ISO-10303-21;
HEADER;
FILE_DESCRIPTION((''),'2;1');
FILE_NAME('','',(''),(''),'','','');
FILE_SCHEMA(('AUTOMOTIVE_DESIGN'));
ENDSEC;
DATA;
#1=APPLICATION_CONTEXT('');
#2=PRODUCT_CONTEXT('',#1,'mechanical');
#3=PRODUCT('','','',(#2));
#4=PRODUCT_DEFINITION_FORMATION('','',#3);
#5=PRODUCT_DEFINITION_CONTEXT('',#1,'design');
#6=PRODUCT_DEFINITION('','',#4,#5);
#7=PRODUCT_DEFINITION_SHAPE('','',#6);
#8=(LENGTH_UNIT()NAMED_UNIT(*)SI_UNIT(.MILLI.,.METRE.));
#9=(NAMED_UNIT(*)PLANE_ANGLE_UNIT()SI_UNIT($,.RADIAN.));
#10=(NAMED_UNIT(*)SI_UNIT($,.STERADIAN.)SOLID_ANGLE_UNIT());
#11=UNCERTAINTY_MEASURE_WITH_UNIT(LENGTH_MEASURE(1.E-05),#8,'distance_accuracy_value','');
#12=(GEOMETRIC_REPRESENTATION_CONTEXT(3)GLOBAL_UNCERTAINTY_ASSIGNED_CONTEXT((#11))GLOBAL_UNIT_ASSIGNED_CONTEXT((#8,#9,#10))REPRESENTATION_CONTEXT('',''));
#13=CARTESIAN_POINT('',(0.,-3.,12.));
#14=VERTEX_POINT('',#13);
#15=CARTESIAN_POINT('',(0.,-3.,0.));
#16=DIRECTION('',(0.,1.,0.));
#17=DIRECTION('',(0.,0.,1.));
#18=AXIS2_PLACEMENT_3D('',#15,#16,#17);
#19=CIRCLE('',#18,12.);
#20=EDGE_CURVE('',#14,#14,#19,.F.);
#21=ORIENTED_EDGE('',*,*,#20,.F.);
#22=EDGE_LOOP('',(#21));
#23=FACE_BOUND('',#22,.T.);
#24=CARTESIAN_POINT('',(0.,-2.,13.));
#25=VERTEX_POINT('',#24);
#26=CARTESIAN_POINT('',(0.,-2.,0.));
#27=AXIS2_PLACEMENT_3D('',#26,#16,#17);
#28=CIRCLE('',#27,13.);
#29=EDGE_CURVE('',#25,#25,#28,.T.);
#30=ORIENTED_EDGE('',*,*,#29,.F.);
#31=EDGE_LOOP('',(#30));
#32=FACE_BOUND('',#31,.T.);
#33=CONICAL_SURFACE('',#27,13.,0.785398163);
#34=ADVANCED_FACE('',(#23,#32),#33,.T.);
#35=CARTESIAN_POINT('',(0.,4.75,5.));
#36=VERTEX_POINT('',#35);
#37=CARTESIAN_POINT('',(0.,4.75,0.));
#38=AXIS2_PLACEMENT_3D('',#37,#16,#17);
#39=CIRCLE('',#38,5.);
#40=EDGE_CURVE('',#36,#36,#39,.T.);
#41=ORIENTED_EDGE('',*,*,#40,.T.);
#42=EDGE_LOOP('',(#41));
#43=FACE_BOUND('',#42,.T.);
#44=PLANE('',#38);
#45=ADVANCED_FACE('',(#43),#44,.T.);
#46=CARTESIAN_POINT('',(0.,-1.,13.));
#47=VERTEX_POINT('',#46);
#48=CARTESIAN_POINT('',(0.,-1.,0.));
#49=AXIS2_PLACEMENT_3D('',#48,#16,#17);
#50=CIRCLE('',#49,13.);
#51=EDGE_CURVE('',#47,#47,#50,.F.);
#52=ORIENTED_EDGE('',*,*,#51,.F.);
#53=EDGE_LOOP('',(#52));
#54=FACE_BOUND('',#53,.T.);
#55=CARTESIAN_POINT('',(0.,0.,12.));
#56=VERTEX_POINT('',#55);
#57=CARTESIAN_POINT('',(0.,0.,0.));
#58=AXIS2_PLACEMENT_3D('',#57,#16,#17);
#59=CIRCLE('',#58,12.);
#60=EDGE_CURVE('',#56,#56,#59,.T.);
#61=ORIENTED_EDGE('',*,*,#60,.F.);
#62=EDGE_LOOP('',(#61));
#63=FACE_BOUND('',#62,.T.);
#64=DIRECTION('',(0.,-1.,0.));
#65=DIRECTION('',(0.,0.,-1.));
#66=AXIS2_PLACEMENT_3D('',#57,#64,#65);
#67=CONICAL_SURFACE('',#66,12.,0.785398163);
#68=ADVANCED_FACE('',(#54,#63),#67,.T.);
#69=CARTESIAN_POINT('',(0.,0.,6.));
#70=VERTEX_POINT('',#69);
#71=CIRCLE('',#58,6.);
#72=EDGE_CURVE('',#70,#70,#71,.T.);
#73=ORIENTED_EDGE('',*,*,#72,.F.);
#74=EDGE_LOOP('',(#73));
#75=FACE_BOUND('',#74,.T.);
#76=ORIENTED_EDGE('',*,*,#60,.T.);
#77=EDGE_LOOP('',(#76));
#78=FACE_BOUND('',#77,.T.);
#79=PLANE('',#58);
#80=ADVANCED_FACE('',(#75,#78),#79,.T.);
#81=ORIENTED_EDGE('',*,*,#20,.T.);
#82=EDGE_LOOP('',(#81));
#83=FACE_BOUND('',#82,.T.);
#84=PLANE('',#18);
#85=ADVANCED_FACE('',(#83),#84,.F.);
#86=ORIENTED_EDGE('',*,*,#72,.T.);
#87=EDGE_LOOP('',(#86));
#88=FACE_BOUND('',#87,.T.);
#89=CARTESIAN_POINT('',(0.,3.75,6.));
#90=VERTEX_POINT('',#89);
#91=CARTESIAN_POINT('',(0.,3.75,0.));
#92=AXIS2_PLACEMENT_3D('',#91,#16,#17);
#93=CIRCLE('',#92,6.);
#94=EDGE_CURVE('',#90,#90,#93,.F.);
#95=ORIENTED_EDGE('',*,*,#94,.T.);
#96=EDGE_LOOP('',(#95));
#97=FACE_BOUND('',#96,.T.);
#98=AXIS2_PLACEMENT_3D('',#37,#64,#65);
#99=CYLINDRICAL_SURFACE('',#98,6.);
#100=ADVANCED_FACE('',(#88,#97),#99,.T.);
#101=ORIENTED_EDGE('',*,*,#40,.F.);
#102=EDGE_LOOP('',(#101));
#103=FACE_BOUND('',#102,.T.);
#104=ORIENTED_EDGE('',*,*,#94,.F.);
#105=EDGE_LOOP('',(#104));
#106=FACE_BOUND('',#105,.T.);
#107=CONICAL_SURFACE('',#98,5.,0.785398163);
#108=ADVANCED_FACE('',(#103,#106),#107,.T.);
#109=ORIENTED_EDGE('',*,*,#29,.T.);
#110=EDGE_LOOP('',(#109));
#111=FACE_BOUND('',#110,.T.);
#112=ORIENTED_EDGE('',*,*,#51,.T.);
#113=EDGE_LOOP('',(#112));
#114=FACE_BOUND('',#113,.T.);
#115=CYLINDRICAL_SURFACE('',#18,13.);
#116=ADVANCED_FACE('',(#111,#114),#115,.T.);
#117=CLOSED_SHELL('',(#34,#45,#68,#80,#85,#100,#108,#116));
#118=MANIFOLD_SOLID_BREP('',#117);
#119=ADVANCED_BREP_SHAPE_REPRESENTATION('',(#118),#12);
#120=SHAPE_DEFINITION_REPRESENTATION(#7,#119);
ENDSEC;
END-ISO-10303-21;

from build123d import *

# Parameters (mm, degrees)
CROQUIS1_R              = 6
SALIENTE_EXTRUIR1_DEPTH = 4.75
CROQUIS1_3_R            = 13
SALIENTE_EXTRUIR2_DEPTH = 3
CHAFL_N1_SIZE           = 1


with BuildPart() as part:
    # Croquis1 → Saliente-Extruir1 (new body)
    with BuildSketch(Plane(origin=(0, 0, 0), x_dir=(1, 0, 0), z_dir=(0, 1, 0))):
        Circle(CROQUIS1_R)
    extrude(amount=SALIENTE_EXTRUIR1_DEPTH)

    # Croquis1<3> → Saliente-Extruir2 (add)
    with BuildSketch(Plane(origin=(0, 0, 0), x_dir=(1, 0, 0), z_dir=(0, 1, 0))):
        Circle(CROQUIS1_3_R)
    extrude(amount=-SALIENTE_EXTRUIR2_DEPTH)

    # Chaflán1
    chafl_n1_edges = [part.edges().sort_by_distance(p)[0] for p in [
        (-6, 4.75, 0),
        (-13, -3, 0),
        (-13, 0, 0),
    ]]
    chamfer(chafl_n1_edges, length=CHAFL_N1_SIZE)


solid = part.part
